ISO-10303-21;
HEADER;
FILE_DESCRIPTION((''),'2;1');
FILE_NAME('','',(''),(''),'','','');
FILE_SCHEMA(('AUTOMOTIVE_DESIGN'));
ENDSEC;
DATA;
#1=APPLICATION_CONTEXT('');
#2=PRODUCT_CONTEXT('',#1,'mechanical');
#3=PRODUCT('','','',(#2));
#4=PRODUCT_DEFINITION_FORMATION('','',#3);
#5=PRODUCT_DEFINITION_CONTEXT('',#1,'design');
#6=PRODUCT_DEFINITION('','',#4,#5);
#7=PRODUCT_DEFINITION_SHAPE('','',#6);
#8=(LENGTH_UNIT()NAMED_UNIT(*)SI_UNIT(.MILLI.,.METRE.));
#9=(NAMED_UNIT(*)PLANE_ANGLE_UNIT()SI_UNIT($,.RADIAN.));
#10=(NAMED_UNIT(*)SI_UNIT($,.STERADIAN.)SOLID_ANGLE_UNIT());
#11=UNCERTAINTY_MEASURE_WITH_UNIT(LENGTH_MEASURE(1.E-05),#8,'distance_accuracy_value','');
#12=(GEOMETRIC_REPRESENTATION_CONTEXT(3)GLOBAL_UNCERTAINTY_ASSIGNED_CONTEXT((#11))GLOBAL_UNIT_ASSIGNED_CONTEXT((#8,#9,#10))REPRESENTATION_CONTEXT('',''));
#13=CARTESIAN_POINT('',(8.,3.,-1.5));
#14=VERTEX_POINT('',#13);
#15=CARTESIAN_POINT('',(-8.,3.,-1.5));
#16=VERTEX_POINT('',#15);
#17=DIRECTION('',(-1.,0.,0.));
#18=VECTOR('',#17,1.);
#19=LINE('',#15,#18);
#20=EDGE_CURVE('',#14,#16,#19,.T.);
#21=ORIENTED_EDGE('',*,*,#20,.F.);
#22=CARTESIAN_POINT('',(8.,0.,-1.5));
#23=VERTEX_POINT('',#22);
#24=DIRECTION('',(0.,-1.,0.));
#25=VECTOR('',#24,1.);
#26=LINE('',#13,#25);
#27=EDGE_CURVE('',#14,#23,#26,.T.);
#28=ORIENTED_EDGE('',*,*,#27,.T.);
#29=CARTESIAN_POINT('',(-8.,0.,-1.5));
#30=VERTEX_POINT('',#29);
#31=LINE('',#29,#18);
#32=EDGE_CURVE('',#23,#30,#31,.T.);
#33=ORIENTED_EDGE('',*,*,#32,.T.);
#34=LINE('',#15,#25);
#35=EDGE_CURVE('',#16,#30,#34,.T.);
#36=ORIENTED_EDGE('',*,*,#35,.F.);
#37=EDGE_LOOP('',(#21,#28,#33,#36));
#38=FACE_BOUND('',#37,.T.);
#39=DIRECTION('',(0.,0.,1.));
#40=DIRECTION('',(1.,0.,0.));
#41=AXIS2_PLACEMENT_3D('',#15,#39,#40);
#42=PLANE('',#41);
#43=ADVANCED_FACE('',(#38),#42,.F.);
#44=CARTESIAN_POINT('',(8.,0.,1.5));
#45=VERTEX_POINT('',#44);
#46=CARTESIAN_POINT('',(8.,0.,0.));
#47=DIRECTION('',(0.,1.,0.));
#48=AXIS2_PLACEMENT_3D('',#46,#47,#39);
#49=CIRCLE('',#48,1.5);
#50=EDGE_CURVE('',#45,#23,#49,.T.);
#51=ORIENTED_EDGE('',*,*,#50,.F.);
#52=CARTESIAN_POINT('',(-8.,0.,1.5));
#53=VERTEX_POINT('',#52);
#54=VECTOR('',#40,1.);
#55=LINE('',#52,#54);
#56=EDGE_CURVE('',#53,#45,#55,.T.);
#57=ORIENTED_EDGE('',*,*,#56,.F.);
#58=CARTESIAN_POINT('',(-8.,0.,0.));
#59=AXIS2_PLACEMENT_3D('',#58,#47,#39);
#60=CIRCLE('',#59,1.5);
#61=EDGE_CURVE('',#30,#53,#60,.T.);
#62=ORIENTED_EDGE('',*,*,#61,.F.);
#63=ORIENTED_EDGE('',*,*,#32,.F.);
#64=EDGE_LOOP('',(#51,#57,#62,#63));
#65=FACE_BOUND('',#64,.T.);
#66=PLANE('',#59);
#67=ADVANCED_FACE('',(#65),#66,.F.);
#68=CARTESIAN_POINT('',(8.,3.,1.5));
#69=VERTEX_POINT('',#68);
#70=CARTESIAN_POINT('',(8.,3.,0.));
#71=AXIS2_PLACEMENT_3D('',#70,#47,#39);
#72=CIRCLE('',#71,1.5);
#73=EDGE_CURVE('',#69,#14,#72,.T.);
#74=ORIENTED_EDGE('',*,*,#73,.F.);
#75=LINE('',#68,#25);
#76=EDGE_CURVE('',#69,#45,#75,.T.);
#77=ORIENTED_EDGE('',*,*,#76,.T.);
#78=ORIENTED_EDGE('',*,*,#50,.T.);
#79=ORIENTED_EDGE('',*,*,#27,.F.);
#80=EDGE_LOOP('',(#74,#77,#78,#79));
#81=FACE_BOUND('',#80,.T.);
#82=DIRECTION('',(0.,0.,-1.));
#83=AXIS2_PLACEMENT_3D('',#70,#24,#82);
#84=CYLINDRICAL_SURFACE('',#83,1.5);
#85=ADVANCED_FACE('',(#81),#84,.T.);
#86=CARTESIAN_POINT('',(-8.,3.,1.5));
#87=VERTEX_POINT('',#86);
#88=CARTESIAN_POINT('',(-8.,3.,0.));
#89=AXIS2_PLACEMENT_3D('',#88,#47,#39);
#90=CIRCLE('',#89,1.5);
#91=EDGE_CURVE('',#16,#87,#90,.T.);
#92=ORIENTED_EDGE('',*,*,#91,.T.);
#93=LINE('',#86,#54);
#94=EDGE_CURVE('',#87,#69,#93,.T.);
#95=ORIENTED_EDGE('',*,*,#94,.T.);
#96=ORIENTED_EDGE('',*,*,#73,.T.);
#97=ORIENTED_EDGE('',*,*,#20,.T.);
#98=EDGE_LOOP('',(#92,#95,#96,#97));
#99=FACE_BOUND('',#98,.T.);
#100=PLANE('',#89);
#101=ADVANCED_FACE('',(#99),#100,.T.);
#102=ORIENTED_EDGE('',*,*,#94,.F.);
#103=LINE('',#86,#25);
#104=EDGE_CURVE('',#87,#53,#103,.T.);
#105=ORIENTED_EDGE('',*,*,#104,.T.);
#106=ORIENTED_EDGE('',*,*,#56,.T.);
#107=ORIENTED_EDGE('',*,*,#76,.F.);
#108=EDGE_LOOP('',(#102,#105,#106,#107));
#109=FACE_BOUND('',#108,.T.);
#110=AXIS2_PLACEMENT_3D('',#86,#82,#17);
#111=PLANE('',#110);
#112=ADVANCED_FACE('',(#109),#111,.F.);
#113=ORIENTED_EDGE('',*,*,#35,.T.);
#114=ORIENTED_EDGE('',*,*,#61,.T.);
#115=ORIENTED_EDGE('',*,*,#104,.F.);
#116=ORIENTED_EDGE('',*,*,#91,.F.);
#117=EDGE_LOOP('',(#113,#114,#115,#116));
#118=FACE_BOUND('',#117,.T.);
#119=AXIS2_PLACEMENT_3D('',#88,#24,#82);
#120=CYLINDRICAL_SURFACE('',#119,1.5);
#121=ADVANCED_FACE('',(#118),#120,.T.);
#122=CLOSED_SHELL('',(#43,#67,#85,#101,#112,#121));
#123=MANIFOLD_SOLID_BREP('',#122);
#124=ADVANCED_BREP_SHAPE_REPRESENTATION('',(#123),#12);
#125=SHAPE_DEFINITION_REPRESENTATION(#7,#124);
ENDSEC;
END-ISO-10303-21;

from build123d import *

# Parameters (mm, degrees)
BOSS_EXTRUDE1_DEPTH = 3


with BuildPart() as part:
    # Sketch1 → Boss-Extrude1 (new body)
    with BuildSketch(Plane(origin=(0, 0, 0), x_dir=(1, 0, 0), z_dir=(0, 1, 0))):
        with BuildLine():
            Line((-8, 1.5), (8, 1.5))
            ThreePointArc((8, 1.5), (9.5, 0), (8, -1.5))
            Line((8, -1.5), (-8, -1.5))
            ThreePointArc((-8, -1.5), (-9.5, 0), (-8, 1.5))
        make_face()
    extrude(amount=BOSS_EXTRUDE1_DEPTH)


solid = part.part
